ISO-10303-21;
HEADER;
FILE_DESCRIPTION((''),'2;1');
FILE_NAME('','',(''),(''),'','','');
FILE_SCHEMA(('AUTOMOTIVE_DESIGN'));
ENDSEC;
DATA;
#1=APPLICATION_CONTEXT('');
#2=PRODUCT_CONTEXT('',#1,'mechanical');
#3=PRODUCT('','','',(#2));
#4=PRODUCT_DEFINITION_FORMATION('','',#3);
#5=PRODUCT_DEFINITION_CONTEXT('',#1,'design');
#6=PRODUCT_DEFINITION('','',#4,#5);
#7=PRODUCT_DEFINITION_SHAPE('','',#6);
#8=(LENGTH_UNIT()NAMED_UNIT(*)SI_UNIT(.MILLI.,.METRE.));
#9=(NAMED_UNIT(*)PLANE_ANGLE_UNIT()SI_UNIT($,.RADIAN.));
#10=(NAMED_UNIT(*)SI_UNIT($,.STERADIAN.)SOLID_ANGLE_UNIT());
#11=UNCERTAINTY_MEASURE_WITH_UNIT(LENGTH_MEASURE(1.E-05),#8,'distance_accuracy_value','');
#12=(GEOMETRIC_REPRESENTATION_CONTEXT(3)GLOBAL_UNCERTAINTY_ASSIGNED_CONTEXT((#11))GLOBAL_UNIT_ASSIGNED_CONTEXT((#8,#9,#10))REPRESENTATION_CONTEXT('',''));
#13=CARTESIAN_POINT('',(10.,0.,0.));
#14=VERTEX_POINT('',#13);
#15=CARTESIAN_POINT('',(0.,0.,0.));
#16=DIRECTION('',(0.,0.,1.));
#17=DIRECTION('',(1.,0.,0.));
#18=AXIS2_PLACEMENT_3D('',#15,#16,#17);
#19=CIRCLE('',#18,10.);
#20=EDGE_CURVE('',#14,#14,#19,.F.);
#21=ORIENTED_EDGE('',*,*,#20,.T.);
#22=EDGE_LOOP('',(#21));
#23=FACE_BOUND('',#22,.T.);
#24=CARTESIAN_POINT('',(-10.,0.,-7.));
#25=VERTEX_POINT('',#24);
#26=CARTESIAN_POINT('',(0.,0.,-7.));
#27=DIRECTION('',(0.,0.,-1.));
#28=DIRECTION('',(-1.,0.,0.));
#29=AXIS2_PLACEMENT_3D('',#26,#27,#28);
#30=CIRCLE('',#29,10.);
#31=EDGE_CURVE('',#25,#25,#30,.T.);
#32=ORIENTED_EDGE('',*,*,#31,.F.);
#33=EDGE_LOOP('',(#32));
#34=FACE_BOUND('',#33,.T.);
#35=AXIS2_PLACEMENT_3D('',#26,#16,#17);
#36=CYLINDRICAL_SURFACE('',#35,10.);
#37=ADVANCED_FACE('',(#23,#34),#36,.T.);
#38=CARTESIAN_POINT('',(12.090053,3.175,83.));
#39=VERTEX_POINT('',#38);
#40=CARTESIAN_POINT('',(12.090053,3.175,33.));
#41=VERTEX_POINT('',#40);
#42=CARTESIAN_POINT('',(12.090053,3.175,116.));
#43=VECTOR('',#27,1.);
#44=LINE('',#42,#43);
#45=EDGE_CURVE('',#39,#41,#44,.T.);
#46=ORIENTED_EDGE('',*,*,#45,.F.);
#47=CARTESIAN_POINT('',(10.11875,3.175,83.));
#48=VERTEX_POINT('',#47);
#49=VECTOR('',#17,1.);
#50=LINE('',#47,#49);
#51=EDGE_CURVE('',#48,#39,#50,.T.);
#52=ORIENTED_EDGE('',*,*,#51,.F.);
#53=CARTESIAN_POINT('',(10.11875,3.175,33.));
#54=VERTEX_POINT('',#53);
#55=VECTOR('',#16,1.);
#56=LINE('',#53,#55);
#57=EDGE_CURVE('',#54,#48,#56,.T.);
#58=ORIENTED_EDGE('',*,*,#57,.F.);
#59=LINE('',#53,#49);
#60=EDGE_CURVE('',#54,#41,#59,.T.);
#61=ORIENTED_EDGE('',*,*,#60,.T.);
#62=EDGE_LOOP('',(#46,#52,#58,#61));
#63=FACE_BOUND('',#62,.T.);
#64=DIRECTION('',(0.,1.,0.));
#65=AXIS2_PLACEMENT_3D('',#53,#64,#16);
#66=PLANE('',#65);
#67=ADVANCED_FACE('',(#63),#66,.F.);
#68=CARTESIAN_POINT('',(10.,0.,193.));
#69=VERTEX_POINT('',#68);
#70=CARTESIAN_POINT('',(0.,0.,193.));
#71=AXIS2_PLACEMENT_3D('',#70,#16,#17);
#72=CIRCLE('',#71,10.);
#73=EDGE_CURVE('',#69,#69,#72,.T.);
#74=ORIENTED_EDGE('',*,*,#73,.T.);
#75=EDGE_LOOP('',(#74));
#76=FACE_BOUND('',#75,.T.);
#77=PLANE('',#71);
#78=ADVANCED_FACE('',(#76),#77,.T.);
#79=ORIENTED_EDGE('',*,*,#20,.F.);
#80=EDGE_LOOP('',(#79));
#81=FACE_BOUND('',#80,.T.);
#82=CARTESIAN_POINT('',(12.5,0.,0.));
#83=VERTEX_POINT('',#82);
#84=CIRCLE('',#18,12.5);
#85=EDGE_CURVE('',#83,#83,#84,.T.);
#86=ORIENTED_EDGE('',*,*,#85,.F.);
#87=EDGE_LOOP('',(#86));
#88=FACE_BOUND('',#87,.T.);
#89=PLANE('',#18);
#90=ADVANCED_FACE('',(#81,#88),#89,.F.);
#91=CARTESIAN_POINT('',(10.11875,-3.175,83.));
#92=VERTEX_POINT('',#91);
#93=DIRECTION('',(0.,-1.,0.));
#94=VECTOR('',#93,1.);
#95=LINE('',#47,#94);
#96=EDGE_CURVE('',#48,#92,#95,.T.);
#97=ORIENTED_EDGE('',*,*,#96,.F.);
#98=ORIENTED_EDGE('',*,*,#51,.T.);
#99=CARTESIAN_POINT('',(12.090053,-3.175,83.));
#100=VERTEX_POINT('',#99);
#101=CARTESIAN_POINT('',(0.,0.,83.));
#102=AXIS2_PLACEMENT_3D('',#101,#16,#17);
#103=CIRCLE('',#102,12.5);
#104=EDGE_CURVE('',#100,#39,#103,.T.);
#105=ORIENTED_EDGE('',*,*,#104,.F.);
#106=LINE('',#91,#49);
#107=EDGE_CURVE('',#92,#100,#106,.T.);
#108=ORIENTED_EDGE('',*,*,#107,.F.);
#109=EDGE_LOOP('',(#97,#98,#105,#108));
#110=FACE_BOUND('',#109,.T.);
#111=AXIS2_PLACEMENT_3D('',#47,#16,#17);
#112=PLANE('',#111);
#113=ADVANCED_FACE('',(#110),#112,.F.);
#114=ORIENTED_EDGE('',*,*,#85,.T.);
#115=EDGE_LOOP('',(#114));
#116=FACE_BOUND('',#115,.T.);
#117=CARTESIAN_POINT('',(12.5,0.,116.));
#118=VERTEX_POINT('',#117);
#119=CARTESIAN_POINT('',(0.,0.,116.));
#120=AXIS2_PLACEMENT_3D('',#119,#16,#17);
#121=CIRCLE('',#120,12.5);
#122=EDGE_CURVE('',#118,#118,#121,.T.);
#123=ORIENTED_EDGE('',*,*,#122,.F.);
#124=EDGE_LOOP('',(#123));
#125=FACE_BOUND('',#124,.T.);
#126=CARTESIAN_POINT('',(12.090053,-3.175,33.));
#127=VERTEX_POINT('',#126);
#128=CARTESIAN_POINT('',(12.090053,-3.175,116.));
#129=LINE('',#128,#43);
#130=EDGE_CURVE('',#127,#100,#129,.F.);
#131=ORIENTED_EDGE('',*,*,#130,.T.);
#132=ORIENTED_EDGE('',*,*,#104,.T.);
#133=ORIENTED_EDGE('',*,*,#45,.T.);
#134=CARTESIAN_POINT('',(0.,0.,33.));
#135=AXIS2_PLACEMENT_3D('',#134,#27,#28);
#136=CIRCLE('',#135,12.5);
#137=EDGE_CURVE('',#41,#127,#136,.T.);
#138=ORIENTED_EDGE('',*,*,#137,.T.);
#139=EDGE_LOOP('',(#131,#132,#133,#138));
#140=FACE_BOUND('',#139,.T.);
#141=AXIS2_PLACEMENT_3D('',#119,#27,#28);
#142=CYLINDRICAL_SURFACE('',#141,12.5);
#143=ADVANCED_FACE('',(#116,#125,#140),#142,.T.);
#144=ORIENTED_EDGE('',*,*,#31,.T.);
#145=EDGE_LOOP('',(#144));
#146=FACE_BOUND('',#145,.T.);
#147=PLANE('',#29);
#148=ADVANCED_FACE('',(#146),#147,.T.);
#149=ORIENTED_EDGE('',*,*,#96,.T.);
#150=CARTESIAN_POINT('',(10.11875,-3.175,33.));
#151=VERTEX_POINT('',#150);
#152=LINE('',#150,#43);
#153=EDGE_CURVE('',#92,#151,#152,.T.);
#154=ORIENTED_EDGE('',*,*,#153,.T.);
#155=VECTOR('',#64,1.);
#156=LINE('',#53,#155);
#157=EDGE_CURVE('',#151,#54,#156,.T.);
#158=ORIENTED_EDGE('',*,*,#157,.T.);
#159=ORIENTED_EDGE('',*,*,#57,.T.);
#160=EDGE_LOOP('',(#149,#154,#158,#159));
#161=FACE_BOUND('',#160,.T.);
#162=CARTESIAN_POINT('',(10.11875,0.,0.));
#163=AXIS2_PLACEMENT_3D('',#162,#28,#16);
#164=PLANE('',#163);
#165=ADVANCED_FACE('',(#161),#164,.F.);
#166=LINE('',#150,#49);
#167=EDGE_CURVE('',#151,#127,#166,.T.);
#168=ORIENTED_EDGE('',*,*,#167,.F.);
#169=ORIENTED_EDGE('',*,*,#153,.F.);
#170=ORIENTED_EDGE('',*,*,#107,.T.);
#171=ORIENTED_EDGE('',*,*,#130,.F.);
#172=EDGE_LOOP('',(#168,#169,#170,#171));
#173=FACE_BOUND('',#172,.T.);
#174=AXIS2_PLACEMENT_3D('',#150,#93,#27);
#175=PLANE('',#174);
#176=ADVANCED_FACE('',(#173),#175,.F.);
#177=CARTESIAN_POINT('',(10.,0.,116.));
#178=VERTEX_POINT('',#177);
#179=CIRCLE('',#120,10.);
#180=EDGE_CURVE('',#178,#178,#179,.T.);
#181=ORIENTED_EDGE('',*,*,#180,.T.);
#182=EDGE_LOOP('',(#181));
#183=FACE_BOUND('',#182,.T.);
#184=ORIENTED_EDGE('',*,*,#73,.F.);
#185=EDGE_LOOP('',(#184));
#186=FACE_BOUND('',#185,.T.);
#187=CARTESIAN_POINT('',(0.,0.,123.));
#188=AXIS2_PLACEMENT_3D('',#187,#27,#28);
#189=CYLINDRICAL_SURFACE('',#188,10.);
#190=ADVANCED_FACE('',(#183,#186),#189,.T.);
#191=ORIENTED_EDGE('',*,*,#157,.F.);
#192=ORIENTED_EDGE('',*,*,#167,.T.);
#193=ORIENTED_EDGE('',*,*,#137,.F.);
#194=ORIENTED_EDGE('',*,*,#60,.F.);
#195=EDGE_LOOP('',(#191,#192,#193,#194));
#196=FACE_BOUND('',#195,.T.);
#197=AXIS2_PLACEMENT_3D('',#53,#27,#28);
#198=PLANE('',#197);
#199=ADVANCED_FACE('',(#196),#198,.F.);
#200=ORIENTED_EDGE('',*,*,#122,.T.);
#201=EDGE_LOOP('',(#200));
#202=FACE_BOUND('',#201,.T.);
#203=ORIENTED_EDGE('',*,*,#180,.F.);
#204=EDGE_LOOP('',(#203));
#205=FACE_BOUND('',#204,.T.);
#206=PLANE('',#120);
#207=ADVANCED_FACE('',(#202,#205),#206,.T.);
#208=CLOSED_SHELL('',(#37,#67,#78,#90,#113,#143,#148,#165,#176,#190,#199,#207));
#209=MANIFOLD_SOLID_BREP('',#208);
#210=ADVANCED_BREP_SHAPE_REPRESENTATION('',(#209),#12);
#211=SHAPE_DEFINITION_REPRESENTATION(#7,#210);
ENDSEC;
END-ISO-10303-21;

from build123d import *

# Parameters (mm, degrees)
SKETCH1_R           = 12.5
BOSS_EXTRUDE1_DEPTH = 116
SKETCH2_R           = 10
BOSS_EXTRUDE2_DEPTH = 7
BOSS_EXTRUDE3_START = 7
SKETCH3_R           = 10
BOSS_EXTRUDE3_DEPTH = 7
SKETCH4_W           = 50
SKETCH4_H           = 6.35
CUT_EXTRUDE1_DEPTH  = 2.38125
SKETCH6_R           = 10
BOSS_EXTRUDE4_DEPTH = 70


with BuildPart() as part:
    # Sketch1 → Boss-Extrude1 (new body)
    with BuildSketch(Plane.XY):
        with Locations(Location((0, 0, 0), (0, 0, 180))):
            Circle(SKETCH1_R)
    extrude(amount=BOSS_EXTRUDE1_DEPTH)

    # Sketch2 → Boss-Extrude2 (add)
    with BuildSketch(Plane.XY.offset(116)):
        Circle(SKETCH2_R)
    extrude(amount=BOSS_EXTRUDE2_DEPTH)

    # Sketch3 → Boss-Extrude3 (add)
    with BuildSketch(Plane(origin=(0, 0, 0), x_dir=(-1, 0, 0), z_dir=(0, 0, -1)).offset(BOSS_EXTRUDE3_START)):
        with Locations(Location((0, 0, 0), (0, 0, 180))):
            Circle(SKETCH3_R)
    extrude(amount=-BOSS_EXTRUDE3_DEPTH)

    # Sketch4 → Cut-Extrude1 (cut)
    with BuildSketch(Plane(origin=(12.5, 0, 0), x_dir=(0, 0, -1), z_dir=(1, 0, 0))):
        with Locations((-58, 0)):
            Rectangle(SKETCH4_W, SKETCH4_H)
    extrude(amount=-CUT_EXTRUDE1_DEPTH, mode=Mode.SUBTRACT)

    # Sketch6 → Boss-Extrude4 (add)
    with BuildSketch(Plane.XY.offset(123)):
        Circle(SKETCH6_R)
    extrude(amount=BOSS_EXTRUDE4_DEPTH)


solid = part.part
